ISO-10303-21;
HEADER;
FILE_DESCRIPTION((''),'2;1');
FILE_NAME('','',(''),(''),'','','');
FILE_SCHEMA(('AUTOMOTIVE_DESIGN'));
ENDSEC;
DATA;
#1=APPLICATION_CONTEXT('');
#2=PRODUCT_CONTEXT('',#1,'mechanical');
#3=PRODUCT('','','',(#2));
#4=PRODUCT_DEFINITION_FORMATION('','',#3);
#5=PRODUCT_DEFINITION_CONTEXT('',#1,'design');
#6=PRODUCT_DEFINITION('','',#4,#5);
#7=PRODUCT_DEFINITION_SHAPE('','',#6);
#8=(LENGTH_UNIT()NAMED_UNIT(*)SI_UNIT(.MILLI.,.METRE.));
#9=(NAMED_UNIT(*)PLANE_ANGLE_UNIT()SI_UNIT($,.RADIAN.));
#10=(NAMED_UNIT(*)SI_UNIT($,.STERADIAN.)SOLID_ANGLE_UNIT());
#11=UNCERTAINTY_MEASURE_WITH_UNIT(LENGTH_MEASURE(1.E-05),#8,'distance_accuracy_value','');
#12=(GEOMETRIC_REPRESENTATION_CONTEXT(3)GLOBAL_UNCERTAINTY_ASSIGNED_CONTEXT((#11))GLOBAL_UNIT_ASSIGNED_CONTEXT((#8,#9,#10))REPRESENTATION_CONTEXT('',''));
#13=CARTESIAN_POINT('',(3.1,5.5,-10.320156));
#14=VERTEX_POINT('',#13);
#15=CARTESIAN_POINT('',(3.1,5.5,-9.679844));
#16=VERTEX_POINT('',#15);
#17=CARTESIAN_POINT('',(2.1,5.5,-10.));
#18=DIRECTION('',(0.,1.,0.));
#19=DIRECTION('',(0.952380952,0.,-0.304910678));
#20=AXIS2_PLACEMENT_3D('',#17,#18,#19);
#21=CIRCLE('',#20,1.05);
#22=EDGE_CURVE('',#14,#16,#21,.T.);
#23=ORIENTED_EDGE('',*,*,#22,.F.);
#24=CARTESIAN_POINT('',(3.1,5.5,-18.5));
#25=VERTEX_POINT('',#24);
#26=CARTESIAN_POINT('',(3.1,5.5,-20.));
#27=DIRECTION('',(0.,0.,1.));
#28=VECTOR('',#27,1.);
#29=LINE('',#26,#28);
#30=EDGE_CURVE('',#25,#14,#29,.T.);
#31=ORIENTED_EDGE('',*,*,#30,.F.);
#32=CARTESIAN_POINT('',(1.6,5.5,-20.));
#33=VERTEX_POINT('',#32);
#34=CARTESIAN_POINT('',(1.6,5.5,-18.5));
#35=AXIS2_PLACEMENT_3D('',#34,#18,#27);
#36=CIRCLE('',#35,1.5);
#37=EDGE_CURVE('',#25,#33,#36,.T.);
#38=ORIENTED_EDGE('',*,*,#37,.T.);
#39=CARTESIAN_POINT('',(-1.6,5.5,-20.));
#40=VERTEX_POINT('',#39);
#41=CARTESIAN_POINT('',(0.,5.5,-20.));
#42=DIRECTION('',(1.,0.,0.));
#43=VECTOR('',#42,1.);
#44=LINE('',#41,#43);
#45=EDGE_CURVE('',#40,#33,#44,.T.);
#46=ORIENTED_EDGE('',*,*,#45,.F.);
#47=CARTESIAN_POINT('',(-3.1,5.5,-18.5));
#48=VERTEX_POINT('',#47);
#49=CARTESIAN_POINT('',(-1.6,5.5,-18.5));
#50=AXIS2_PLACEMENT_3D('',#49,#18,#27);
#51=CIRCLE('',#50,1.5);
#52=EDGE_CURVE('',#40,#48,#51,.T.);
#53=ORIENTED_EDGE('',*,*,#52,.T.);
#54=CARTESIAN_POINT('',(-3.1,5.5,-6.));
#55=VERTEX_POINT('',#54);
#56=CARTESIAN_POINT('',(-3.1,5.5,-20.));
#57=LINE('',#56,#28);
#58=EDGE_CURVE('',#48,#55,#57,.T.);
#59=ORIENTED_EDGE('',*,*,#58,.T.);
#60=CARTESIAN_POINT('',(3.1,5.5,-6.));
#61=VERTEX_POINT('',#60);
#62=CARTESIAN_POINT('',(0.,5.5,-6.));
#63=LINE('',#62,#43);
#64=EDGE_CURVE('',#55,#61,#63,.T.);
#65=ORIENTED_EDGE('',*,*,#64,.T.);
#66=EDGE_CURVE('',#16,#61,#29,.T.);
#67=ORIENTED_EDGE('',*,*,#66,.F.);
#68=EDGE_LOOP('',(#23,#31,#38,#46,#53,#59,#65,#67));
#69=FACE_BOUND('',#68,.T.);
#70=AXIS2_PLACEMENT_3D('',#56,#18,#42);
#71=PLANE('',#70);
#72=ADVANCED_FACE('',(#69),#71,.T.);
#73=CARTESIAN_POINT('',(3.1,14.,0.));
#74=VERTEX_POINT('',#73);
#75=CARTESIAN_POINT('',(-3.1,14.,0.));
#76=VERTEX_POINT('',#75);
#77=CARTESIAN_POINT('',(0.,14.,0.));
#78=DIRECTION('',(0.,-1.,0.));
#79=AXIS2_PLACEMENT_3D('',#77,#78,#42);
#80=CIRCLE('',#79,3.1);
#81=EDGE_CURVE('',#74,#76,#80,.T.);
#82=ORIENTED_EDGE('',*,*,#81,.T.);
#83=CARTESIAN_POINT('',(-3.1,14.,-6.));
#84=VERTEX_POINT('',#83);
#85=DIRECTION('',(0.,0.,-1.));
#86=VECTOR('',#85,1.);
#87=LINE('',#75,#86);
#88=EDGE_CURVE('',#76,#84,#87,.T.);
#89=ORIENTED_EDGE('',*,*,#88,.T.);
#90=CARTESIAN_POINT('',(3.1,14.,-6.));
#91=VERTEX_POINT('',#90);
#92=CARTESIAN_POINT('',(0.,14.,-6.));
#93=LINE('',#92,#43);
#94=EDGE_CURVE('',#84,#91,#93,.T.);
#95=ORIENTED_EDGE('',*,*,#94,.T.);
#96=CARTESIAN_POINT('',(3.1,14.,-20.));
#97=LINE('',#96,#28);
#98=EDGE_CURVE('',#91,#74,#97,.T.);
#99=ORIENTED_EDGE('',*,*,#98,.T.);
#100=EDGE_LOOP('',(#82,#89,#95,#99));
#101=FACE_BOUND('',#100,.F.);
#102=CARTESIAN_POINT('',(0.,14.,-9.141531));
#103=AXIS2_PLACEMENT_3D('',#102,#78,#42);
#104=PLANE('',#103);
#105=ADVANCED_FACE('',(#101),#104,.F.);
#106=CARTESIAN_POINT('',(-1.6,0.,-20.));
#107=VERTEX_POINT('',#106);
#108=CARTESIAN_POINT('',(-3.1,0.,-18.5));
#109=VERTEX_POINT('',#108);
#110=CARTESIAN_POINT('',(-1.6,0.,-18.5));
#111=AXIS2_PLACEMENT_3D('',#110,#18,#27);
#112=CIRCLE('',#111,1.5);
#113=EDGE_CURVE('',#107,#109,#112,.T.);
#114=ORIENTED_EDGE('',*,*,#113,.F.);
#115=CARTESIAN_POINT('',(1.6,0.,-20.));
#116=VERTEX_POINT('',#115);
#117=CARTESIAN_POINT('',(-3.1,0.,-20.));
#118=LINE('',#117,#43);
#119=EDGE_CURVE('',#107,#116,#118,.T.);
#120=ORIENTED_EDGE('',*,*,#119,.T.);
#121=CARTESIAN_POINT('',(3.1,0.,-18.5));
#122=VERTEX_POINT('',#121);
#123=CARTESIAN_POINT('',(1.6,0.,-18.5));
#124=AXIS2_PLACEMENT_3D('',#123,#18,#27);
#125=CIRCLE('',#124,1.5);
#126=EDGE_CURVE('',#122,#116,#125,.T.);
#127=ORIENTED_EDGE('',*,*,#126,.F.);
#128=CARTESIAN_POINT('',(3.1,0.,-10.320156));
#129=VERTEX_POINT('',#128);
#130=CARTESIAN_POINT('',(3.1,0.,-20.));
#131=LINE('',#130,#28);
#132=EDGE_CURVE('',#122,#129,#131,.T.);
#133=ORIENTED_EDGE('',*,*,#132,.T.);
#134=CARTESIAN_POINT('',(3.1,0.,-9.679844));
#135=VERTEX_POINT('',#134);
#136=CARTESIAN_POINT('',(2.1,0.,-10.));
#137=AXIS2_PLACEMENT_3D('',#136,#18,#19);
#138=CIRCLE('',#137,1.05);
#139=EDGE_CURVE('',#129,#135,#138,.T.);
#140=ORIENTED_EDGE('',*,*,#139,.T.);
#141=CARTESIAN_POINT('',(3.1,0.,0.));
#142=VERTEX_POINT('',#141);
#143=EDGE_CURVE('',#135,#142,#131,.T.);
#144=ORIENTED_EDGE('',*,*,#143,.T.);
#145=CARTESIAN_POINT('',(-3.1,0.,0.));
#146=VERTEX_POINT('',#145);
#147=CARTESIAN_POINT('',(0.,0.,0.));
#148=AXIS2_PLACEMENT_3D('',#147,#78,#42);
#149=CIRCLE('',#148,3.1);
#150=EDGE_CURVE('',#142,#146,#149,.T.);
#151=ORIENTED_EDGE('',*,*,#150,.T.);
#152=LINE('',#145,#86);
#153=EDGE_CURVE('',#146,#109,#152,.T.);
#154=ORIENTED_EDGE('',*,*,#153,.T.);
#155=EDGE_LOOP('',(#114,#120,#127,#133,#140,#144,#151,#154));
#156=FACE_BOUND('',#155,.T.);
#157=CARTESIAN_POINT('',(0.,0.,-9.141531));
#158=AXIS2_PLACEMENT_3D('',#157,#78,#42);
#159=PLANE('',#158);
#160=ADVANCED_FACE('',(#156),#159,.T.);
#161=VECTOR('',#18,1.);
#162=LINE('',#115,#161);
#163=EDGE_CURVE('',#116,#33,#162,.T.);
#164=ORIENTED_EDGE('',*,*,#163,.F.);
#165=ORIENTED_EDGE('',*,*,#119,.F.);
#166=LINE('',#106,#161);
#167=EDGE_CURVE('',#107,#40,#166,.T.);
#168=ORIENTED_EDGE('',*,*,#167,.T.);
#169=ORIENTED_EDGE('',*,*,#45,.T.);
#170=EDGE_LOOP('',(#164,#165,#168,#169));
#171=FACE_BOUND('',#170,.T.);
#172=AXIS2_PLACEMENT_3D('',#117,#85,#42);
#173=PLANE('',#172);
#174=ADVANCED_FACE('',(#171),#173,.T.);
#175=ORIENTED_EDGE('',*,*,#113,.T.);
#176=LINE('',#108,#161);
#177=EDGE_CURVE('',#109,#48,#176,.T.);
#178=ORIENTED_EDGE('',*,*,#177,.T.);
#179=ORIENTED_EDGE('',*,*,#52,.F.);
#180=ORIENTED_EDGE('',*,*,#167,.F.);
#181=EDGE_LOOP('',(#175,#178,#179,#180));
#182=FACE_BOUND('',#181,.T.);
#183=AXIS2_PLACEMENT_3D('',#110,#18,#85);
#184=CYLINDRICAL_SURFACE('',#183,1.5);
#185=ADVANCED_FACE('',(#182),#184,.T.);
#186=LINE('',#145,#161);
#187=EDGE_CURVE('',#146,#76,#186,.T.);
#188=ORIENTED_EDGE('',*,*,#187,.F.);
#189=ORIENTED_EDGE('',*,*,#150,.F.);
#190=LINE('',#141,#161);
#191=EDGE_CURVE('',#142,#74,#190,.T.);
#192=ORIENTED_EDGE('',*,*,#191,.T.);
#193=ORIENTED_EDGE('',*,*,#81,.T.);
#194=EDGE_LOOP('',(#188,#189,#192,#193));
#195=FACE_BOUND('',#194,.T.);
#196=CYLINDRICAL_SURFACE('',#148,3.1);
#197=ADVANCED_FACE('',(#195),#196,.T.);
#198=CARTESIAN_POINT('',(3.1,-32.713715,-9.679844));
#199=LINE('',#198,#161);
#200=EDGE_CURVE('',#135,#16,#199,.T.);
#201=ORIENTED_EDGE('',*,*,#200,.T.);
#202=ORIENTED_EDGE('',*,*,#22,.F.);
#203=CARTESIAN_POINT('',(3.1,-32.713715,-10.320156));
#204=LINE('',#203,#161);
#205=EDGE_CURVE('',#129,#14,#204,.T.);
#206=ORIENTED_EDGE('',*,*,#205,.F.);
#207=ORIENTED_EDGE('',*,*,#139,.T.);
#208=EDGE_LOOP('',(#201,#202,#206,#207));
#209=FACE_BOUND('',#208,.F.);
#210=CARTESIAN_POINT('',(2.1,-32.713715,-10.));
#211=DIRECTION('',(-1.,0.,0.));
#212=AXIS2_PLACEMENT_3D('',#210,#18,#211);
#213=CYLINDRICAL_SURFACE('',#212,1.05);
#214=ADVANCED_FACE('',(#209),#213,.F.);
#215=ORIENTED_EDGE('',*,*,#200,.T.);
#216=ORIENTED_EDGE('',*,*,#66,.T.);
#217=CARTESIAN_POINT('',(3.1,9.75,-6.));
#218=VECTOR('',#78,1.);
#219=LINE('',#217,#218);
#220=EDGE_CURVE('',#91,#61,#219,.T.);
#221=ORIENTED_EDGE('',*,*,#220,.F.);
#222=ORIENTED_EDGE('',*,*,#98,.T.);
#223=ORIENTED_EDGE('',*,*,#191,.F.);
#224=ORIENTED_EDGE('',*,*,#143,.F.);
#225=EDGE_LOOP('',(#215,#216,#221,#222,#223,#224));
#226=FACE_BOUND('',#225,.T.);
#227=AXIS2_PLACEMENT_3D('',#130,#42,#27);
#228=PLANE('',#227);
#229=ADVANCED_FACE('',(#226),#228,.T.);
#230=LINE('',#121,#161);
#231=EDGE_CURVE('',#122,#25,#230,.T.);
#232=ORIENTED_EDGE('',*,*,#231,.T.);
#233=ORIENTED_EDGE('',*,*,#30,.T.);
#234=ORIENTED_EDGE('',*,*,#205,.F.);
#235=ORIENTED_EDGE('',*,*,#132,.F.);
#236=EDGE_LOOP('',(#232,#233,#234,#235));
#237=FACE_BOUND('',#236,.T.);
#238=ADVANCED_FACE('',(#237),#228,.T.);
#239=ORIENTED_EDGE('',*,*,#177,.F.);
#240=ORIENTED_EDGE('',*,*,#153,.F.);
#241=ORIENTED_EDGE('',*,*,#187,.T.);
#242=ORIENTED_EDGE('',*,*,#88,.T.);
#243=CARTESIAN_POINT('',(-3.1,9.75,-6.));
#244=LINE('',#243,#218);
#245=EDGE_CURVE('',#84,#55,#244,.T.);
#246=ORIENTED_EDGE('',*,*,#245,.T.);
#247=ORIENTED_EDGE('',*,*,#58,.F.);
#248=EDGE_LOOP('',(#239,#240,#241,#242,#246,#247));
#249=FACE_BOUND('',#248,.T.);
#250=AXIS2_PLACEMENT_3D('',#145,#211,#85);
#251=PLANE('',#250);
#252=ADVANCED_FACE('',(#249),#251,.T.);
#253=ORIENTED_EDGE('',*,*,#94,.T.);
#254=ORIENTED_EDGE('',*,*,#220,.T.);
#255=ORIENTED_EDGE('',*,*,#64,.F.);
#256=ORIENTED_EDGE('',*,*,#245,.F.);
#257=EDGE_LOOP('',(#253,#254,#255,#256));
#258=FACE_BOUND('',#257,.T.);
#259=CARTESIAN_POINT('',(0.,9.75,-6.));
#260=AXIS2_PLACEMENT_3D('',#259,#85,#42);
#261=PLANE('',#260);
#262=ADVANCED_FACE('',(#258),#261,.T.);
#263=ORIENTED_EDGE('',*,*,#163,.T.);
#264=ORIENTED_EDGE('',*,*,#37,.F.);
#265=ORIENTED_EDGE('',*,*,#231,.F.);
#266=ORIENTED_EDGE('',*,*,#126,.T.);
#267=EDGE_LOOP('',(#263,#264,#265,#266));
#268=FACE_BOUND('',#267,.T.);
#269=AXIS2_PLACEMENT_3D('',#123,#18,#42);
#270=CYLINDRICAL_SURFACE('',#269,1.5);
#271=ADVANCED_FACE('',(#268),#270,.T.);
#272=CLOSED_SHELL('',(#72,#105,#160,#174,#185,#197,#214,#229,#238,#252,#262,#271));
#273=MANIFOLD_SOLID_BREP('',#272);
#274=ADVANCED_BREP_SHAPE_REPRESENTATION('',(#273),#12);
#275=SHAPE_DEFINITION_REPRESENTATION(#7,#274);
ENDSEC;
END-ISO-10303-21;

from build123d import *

# Parameters (mm, degrees)
F1_DEPTH = 14
F2_W     = 6.2
F2_H     = 8.5
F3_DEPTH = 14
F6_D     = 2.1
F7_R     = 1.5


with BuildPart() as f1:
    # F0 (on Front) → F1 (new body)
    with BuildSketch(Plane.XZ):
        with BuildLine():
            Line((3.1, -20), (3.1, 0))
            ThreePointArc((3.1, 0), (0, 3.1), (-3.1, 0))
            Line((-3.1, 0), (-3.1, -20))
            Line((-3.1, -20), (3.1, -20))
        make_face()
    extrude(amount=-F1_DEPTH)

    # F2 (on face) → F3 (cut)
    with BuildSketch(Plane(origin=(0, 0, -20), x_dir=(1, 0, 0), z_dir=(0, 0, -1))):
        with Locations((0, -9.75)):
            Rectangle(F2_W, F2_H)
    extrude(amount=-F3_DEPTH, mode=Mode.SUBTRACT)

    # F6 (through all)
    with Locations(Plane.XZ.offset(5)):
        with Locations((2.1, -10)):
            Hole(F6_D / 2)

    # F7
    f7_edges = [f1.edges().sort_by_distance(p)[0] for p in [
        (3.1, 2.75, -20),
        (-3.1, 2.75, -20),
    ]]
    fillet(f7_edges, radius=F7_R)


solid = f1.part
